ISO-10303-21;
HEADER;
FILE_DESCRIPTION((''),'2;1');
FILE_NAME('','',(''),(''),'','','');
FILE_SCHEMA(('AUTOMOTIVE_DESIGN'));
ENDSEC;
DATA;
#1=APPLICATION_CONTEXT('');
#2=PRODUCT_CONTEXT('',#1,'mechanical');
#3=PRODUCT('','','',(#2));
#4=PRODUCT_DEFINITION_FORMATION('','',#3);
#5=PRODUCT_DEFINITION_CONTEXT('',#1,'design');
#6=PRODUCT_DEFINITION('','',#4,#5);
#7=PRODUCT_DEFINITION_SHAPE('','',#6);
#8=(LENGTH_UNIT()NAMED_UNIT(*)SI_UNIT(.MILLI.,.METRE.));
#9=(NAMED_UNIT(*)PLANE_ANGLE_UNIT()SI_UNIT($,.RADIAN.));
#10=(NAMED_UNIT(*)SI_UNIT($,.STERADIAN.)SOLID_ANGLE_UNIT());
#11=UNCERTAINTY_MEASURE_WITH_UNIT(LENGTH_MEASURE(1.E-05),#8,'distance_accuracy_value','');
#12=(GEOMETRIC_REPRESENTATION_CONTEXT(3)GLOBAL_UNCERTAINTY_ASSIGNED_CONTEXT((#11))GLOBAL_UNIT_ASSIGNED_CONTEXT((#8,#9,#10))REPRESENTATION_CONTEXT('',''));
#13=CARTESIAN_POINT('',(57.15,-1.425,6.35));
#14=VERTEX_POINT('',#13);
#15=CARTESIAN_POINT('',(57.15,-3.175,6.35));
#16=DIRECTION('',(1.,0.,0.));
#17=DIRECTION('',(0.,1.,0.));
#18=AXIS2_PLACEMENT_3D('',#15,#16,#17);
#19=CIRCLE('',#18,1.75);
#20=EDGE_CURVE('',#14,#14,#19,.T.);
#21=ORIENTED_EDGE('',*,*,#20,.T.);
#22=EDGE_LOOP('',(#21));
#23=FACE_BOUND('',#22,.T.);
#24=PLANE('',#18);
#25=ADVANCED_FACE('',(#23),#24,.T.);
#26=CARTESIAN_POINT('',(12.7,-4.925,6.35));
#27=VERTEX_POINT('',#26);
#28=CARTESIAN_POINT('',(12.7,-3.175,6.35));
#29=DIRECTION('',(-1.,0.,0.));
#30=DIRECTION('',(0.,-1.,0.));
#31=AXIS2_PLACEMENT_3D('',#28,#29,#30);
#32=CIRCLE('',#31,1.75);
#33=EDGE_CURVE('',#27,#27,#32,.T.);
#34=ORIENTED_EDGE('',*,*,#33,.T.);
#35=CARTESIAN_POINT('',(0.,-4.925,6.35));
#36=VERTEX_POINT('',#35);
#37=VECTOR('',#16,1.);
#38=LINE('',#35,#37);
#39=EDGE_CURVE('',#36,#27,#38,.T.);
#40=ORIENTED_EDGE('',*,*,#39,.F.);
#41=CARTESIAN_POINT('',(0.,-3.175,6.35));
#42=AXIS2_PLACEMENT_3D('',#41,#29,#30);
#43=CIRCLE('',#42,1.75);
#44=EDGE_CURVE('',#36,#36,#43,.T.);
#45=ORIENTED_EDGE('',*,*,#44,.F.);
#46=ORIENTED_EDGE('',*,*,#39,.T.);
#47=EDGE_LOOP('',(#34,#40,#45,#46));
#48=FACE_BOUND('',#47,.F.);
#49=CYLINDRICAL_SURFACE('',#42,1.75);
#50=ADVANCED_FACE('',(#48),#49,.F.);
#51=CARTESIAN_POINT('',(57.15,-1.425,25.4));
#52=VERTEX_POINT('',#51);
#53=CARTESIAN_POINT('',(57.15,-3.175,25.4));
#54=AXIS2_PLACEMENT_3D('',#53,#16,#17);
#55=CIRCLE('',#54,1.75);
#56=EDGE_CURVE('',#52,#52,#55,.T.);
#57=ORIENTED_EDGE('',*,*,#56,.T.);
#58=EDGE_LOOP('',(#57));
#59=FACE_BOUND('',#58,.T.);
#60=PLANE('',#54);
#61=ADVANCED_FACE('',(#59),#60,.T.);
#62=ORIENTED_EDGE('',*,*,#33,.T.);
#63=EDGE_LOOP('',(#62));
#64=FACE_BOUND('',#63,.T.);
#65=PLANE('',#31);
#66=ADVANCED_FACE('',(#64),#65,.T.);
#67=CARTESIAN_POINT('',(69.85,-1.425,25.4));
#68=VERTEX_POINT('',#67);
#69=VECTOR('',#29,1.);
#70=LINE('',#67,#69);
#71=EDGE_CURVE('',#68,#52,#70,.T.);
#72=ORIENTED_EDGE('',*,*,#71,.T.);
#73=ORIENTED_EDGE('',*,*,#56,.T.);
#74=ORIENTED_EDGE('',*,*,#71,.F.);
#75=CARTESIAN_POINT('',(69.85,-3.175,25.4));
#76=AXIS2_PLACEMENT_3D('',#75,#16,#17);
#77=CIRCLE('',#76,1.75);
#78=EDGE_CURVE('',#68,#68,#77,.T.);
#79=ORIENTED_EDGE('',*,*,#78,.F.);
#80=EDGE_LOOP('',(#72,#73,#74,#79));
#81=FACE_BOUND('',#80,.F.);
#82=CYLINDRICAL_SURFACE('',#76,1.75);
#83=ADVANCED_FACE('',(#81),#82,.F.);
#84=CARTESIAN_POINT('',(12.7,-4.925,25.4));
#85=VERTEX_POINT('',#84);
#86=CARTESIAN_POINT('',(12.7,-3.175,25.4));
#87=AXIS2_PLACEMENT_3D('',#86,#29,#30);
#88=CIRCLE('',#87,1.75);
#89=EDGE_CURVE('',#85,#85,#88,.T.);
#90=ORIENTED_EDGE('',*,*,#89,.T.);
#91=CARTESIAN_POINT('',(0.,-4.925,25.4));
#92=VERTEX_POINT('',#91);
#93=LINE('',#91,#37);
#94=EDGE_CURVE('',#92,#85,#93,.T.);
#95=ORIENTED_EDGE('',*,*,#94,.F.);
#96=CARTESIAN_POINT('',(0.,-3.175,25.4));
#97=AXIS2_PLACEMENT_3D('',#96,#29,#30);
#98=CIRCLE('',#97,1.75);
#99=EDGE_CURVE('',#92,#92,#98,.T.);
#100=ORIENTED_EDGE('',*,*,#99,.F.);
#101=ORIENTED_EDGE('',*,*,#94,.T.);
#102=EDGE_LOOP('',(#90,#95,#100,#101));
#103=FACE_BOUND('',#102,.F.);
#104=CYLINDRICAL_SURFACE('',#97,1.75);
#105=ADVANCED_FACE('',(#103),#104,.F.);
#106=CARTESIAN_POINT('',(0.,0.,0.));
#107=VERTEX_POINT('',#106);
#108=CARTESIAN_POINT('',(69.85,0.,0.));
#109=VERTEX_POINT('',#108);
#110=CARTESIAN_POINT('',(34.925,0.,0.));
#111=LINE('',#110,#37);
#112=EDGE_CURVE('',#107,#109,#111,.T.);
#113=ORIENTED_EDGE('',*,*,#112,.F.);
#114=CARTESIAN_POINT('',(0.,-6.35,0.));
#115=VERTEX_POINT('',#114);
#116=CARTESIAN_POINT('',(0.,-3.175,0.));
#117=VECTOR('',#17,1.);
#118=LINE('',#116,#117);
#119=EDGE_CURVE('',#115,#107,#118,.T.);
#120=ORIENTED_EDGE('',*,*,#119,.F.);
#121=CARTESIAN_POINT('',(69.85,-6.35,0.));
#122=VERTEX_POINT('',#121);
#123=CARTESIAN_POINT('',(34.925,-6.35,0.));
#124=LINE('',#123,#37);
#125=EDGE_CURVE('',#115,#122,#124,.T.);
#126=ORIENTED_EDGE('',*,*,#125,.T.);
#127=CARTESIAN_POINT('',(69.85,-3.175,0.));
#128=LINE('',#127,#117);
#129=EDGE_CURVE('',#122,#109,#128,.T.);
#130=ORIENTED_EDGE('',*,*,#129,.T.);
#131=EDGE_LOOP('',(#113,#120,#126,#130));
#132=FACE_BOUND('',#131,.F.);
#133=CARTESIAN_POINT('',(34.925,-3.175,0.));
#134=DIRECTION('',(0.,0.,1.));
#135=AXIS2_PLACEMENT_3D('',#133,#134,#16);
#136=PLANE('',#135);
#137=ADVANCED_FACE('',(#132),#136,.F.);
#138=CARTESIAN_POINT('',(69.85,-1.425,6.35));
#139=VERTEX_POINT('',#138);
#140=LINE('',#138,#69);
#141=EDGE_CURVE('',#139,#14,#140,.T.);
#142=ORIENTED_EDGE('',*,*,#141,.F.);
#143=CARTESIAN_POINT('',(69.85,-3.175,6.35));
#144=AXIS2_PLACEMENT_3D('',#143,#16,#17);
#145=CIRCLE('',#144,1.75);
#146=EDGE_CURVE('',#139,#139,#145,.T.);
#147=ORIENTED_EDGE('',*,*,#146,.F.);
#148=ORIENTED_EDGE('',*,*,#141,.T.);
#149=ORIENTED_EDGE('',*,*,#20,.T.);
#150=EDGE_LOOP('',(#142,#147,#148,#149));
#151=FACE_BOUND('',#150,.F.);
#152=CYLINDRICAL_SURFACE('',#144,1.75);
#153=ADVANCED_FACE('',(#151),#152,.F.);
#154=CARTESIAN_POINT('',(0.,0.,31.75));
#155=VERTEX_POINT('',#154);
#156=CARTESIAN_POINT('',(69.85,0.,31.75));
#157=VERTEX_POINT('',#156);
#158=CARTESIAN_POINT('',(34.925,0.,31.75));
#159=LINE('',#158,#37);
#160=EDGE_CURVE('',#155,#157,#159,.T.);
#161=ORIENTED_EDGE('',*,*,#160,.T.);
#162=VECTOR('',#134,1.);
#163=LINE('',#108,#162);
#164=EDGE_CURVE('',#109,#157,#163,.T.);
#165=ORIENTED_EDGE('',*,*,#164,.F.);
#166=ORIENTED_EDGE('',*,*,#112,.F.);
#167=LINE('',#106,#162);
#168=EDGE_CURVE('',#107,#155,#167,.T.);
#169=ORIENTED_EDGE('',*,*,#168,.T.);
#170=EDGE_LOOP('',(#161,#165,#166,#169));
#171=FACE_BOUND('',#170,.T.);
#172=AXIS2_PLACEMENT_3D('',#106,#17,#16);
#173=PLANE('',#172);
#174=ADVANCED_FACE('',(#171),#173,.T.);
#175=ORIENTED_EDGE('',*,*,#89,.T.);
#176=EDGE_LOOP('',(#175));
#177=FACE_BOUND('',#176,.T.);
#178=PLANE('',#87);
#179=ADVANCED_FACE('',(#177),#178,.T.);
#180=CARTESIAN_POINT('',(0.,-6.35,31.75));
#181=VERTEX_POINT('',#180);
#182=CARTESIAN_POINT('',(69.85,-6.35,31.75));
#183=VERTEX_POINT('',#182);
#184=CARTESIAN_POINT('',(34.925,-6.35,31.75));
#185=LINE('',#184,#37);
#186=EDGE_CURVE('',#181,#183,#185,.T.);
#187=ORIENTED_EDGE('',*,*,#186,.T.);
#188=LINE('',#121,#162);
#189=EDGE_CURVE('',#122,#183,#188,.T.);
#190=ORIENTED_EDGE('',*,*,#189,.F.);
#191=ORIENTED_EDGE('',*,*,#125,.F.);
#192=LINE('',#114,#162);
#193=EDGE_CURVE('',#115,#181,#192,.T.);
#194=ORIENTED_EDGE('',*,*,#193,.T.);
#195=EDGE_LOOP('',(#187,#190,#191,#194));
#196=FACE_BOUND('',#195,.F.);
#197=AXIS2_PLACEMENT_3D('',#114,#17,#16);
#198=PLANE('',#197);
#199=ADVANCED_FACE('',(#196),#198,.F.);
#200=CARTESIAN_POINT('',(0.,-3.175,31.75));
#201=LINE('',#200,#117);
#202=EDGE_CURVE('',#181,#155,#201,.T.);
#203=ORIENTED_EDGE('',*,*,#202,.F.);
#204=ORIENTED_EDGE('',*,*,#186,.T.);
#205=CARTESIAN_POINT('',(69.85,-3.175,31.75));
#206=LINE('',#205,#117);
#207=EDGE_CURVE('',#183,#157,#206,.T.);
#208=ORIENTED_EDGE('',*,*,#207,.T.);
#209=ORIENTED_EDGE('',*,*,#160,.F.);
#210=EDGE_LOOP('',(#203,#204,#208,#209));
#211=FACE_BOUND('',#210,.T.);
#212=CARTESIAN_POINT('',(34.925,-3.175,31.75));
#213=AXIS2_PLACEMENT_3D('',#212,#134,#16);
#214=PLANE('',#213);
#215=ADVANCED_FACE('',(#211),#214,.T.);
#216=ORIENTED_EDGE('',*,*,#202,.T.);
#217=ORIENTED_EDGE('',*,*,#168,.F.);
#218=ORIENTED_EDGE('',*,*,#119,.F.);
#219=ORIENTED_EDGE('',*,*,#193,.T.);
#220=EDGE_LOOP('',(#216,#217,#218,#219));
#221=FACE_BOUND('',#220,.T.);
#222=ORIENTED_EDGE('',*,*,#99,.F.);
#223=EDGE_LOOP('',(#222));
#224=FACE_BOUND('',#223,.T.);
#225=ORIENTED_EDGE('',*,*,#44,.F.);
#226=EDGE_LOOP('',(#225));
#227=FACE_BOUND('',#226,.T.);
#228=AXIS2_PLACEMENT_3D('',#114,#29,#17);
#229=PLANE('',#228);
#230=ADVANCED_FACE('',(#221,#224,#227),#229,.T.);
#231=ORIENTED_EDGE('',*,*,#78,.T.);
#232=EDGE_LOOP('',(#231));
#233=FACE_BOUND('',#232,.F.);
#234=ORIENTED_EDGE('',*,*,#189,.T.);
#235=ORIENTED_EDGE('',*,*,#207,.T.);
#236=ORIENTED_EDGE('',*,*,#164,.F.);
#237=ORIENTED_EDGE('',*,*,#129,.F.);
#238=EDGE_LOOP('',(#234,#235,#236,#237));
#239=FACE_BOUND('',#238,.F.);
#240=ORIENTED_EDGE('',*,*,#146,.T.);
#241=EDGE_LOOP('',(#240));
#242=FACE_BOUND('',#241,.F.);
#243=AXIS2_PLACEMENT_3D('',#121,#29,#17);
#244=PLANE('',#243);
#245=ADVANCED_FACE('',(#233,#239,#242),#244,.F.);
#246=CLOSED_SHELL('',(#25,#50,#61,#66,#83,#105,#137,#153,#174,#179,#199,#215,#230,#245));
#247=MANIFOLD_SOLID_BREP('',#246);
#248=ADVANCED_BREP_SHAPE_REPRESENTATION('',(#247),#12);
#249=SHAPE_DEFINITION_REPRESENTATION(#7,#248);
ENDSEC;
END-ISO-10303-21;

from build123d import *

# Parameters (mm, degrees)
F0_W     = 69.85
F0_H     = 6.35
F1_DEPTH = 31.75
F2_R     = 1.75
F3_DEPTH = 12.7
F4_R     = 1.75
F5_DEPTH = 12.7


with BuildPart() as f1:
    # F0 (on Top) → F1 (new body)
    with BuildSketch(Plane.XY):
        with Locations((34.925, -3.175)):
            Rectangle(F0_W, F0_H)
    extrude(amount=F1_DEPTH)

    # F2 (on face) → F3 (cut)
    with BuildSketch(Plane.YZ.offset(69.85)):
        with Locations((-3.175, 25.4)):
            Circle(F2_R)
        with Locations((-3.175, 6.35)):
            Circle(F2_R)
    extrude(amount=-F3_DEPTH, mode=Mode.SUBTRACT)

    # F4 (on face) → F5 (cut)
    with BuildSketch(Plane(origin=(0, 0, 0), x_dir=(0, -1, 0), z_dir=(-1, 0, 0))):
        with Locations((3.175, 6.35)):
            Circle(F4_R)
        with Locations((3.175, 25.4)):
            Circle(F4_R)
    extrude(amount=-F5_DEPTH, mode=Mode.SUBTRACT)


solid = f1.part
